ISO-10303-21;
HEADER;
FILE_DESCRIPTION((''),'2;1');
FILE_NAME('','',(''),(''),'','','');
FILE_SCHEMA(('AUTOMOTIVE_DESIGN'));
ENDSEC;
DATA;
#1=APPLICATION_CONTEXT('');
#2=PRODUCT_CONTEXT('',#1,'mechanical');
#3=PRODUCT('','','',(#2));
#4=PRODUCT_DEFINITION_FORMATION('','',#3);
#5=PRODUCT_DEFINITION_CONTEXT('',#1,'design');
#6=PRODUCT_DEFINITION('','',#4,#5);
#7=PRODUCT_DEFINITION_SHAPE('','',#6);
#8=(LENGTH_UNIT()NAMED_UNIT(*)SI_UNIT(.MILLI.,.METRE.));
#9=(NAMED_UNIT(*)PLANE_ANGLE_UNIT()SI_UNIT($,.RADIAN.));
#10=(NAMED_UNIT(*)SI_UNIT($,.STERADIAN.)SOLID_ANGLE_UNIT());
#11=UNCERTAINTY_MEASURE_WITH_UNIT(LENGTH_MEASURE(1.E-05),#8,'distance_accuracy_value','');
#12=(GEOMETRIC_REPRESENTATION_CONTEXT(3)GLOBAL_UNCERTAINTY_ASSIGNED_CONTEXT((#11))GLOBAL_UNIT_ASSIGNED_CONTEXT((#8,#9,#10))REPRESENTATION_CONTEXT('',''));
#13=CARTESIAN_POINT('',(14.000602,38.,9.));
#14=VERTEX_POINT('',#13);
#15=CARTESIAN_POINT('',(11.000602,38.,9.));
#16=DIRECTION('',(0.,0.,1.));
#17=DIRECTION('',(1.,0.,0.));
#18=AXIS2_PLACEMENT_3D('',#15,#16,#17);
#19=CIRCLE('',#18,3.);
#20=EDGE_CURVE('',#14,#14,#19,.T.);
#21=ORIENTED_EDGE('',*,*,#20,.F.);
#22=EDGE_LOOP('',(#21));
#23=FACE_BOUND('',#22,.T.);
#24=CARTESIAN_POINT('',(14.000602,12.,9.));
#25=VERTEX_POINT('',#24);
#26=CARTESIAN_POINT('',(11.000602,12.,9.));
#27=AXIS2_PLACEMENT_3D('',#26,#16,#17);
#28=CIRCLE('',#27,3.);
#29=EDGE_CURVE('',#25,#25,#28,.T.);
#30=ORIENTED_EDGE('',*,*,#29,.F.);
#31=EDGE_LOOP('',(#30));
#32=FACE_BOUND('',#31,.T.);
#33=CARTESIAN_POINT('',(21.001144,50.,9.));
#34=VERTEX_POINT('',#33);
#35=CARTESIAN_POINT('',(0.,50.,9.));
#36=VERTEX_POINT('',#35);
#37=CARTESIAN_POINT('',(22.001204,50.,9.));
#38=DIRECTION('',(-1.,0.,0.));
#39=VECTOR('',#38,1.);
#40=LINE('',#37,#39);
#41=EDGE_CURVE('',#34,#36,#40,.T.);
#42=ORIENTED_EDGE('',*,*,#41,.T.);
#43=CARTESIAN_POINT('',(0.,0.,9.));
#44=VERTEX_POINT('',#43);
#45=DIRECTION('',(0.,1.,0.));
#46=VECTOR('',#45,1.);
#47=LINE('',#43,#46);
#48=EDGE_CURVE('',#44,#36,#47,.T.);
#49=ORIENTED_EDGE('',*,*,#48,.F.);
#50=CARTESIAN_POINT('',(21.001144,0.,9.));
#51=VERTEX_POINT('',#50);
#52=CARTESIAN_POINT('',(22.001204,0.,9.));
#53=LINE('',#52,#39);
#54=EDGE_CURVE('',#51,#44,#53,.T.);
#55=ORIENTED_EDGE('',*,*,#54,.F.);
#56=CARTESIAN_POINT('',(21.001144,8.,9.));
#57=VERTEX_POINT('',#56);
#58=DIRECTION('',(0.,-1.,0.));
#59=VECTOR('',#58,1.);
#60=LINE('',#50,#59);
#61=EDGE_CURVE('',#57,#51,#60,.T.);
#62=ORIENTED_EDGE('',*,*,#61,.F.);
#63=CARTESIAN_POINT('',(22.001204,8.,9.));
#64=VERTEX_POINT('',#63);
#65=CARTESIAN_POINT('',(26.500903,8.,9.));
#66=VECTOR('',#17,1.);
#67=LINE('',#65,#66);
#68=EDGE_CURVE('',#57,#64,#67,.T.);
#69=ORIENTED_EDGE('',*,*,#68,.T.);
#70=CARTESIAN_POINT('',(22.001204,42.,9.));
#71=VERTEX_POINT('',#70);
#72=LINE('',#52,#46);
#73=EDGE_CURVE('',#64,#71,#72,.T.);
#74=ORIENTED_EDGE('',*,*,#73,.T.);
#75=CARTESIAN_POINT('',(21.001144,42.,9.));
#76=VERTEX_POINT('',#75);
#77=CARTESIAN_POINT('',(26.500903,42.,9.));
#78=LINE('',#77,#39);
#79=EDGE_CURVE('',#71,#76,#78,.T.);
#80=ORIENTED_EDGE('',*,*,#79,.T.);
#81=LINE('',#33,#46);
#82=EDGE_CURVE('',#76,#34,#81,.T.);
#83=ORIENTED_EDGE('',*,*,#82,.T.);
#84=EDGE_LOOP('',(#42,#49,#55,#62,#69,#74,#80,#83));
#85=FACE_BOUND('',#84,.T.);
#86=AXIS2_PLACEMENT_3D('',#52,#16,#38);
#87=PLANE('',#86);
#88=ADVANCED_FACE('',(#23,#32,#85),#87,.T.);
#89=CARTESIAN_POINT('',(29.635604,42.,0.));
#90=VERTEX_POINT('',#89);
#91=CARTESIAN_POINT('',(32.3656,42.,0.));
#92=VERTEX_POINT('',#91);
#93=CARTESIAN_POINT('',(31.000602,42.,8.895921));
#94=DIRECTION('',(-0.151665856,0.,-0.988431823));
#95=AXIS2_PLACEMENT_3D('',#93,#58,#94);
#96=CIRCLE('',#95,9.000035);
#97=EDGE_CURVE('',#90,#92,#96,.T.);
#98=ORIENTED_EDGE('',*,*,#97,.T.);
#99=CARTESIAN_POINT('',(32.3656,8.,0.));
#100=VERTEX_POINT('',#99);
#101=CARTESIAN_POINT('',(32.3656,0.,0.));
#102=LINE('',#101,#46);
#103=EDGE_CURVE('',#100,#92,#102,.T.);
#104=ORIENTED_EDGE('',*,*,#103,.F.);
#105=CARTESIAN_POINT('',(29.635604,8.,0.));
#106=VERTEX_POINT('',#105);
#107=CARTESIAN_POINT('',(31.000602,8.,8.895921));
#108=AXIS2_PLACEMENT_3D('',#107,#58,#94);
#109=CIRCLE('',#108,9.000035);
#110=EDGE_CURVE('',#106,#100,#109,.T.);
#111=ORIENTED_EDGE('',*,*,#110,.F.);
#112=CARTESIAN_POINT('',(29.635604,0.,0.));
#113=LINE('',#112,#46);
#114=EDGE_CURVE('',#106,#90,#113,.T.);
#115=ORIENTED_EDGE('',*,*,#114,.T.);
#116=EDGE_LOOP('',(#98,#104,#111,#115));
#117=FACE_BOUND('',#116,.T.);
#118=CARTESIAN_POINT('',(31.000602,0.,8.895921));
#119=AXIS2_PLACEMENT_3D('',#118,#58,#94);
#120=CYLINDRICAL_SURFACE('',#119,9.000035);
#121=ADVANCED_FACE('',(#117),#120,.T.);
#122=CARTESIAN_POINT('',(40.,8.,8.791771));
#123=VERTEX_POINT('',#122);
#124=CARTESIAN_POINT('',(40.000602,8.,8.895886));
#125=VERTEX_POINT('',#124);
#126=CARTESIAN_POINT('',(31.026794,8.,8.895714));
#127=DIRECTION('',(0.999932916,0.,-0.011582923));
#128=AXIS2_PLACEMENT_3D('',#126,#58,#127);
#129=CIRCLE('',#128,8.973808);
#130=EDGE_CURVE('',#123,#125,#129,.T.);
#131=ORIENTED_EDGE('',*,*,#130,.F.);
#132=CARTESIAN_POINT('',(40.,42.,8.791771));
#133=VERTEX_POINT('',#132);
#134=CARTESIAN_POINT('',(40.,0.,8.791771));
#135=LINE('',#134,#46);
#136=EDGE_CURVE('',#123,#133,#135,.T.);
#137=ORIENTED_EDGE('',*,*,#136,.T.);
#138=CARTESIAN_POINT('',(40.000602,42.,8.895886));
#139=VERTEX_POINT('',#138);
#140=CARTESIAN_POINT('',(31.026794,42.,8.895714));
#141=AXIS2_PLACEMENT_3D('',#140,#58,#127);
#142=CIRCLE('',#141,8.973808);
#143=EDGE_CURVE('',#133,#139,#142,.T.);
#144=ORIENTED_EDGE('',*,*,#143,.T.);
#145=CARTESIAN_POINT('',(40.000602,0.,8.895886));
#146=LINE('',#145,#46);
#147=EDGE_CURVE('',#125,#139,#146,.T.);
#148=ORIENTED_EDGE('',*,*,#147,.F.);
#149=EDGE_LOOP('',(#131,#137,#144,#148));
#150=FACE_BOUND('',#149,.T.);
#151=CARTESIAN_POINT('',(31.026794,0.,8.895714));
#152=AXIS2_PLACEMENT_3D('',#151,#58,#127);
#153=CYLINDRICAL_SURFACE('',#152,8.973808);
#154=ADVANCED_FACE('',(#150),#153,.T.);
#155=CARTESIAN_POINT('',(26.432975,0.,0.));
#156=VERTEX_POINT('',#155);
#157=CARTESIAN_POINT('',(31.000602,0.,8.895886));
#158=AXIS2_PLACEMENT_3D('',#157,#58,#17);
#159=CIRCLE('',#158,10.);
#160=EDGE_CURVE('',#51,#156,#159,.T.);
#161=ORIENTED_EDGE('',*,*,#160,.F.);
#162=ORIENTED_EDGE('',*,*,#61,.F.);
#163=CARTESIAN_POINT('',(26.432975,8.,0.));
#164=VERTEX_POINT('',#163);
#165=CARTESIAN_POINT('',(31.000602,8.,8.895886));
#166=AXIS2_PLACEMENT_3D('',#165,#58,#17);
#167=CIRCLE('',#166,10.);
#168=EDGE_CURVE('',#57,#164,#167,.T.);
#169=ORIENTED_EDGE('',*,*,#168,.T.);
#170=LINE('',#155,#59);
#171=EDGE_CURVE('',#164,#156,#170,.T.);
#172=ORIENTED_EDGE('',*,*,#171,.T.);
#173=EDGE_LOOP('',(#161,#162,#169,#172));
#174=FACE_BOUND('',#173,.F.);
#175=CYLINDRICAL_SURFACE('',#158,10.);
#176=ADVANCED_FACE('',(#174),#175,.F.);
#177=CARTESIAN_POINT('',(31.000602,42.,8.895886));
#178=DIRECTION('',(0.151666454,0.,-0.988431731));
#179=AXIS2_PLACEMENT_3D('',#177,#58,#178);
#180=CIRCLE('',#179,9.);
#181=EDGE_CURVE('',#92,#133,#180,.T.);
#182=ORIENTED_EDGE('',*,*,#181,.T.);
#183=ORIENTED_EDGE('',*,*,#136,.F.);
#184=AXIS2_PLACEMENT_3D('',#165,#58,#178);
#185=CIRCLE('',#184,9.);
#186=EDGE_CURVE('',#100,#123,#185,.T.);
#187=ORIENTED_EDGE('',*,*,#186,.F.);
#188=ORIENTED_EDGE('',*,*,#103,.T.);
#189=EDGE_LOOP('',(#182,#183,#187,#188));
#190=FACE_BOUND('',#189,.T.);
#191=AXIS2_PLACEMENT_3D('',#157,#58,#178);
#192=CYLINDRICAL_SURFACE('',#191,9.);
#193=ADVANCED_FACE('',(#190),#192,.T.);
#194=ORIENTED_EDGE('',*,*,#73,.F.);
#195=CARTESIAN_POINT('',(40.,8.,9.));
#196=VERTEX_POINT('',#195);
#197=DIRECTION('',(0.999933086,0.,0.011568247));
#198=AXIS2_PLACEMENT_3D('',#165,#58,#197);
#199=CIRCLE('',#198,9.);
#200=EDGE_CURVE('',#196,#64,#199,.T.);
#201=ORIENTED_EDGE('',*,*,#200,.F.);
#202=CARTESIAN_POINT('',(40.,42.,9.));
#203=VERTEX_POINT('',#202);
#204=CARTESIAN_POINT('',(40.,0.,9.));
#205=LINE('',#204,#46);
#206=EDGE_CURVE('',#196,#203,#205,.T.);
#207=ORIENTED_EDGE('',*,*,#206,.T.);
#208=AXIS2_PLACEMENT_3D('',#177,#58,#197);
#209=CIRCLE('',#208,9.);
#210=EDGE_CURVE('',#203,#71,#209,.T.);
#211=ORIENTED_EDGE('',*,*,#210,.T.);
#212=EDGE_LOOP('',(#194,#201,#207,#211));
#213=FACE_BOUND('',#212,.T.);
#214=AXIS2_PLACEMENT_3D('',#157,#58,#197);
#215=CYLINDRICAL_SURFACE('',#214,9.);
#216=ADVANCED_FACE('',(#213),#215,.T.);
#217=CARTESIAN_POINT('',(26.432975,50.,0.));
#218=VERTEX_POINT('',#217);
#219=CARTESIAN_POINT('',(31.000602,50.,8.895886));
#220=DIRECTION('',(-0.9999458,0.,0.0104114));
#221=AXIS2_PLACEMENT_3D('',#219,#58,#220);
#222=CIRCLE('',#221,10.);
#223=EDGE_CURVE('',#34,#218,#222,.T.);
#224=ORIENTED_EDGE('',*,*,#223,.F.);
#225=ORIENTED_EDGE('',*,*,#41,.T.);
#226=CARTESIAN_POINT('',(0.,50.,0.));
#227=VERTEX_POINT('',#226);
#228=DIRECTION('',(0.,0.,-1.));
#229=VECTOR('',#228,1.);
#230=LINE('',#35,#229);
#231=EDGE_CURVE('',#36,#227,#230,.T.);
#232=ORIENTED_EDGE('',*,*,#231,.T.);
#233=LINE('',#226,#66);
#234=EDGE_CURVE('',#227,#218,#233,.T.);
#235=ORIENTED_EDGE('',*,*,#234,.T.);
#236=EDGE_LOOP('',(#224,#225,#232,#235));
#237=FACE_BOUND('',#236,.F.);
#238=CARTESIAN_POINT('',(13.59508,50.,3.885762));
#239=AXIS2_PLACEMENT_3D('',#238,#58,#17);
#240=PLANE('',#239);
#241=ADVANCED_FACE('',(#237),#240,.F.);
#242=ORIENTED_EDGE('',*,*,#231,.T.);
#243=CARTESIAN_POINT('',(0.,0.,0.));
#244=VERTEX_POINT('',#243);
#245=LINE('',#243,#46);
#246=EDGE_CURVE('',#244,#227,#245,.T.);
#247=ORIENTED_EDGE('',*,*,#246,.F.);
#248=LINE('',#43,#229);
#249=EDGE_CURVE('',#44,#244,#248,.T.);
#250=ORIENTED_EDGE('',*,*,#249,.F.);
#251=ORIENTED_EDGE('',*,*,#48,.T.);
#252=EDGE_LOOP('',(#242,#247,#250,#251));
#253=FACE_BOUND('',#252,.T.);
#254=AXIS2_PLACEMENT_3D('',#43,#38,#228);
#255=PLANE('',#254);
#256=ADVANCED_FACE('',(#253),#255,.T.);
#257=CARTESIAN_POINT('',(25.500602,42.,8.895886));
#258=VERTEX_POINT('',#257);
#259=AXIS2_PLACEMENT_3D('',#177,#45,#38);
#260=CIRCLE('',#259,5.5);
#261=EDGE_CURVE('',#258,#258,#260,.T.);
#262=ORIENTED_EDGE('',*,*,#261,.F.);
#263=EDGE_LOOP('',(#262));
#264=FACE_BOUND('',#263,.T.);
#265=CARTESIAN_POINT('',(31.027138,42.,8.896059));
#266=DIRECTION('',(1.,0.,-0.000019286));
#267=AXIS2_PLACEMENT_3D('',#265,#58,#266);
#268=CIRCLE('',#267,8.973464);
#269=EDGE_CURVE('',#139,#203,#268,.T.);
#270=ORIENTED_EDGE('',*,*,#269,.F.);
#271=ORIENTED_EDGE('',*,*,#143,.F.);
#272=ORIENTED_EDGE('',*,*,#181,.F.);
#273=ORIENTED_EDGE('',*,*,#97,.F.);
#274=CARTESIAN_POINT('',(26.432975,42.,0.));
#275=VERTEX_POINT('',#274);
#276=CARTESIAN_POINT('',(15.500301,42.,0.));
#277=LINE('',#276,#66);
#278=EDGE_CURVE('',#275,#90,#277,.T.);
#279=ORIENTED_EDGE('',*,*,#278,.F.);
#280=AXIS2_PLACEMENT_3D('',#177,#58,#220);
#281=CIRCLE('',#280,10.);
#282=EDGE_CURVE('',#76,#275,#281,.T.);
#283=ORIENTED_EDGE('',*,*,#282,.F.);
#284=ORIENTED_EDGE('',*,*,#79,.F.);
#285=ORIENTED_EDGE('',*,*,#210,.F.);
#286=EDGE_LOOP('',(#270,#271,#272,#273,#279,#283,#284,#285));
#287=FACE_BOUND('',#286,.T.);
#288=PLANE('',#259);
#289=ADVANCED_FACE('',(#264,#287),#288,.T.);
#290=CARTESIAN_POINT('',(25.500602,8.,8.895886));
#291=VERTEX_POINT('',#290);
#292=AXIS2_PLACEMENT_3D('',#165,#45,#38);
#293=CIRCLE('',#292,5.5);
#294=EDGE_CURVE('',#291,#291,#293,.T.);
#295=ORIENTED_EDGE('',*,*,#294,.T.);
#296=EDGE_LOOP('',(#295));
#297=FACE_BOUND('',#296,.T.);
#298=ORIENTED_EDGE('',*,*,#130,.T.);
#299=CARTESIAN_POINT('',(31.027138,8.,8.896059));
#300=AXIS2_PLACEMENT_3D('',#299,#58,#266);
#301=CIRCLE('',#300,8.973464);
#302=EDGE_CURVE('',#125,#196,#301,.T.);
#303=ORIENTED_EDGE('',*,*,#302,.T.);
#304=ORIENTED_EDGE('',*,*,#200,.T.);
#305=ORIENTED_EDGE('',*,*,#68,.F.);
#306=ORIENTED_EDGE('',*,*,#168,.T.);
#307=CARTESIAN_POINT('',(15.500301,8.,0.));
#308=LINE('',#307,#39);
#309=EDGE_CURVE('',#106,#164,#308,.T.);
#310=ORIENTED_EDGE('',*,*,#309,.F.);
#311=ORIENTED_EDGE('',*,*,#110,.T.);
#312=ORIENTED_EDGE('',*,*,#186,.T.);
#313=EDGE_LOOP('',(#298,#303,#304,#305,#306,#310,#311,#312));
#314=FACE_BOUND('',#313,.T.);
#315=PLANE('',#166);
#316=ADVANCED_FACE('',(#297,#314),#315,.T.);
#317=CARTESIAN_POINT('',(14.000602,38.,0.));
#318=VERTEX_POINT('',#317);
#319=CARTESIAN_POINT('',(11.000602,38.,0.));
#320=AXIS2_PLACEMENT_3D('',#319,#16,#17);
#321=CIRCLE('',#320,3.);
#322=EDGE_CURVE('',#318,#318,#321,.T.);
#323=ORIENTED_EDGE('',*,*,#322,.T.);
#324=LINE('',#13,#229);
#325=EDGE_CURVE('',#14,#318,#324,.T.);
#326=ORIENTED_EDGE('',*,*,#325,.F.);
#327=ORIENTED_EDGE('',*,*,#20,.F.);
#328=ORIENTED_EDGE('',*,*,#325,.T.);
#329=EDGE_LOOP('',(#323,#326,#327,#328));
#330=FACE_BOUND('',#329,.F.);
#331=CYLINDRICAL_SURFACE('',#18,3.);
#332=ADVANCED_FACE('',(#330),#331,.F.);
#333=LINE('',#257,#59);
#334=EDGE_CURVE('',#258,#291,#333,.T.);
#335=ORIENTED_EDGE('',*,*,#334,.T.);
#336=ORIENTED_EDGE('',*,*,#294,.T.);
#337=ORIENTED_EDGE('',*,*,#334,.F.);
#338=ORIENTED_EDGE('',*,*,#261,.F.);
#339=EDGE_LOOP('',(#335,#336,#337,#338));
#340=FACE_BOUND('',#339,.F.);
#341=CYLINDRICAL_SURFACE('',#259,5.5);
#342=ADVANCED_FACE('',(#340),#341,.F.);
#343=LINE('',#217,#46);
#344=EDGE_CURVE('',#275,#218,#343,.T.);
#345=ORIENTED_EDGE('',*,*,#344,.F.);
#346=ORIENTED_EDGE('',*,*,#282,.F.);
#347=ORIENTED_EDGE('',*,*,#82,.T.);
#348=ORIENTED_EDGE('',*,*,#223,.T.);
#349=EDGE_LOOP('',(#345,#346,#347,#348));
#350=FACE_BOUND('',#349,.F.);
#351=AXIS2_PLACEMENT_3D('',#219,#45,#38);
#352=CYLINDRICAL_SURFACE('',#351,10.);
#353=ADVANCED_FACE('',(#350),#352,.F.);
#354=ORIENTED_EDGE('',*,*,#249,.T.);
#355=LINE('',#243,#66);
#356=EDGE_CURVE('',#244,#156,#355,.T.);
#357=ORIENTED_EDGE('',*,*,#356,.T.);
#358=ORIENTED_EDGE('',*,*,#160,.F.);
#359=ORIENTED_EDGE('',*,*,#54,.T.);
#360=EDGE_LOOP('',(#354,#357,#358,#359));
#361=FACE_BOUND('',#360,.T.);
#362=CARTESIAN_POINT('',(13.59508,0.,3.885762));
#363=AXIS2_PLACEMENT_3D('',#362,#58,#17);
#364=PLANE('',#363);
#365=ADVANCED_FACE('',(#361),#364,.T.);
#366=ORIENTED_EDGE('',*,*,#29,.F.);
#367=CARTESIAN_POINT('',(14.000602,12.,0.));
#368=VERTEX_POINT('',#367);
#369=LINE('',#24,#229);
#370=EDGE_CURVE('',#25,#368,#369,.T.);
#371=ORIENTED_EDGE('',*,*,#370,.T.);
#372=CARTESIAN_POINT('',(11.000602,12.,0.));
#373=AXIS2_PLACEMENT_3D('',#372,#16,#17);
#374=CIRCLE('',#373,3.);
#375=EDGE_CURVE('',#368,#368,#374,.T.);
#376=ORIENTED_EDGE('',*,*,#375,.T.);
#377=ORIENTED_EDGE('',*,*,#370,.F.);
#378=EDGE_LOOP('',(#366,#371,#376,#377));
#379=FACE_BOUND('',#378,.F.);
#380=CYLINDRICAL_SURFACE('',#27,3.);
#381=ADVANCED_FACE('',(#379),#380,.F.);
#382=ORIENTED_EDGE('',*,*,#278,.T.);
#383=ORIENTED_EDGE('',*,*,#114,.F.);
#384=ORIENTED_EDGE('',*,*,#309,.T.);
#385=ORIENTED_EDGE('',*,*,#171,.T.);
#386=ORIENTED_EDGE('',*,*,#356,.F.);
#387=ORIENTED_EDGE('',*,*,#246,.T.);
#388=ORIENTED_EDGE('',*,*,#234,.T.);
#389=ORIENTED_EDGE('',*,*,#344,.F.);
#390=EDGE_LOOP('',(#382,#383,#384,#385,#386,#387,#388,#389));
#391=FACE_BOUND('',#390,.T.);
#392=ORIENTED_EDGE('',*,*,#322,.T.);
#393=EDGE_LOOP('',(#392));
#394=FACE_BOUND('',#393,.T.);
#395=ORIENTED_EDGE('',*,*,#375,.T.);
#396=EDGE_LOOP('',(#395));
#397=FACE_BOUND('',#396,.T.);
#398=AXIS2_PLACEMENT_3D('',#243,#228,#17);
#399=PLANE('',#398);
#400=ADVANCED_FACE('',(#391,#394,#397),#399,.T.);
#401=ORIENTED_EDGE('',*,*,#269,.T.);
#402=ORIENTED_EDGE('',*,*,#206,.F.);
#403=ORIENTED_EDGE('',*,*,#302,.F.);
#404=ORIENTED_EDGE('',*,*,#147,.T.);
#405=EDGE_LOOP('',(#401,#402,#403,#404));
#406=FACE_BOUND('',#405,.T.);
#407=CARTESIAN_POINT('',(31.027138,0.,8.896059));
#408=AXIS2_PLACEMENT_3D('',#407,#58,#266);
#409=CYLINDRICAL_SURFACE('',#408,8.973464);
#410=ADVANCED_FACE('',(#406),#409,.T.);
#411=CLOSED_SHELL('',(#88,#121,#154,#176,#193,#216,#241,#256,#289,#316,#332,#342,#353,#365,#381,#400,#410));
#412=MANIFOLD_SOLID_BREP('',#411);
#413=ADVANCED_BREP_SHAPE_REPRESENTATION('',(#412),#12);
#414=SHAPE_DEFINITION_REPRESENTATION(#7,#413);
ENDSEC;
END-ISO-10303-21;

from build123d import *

# Parameters (mm, degrees)
F1_DEPTH  = 50
F2_R      = 3
F3_DEPTH  = 25
F5_R      = 10
F6_DEPTH  = 8
F7_R      = 10
F8_DEPTH  = 8
F9_R      = 5.5
F10_DEPTH = 42.001


with BuildPart() as f1:
    # F0 (on Front) → F1 (new body)
    with BuildSketch(Plane.XZ):
        with BuildLine():
            Line((0, 9), (0, 0))
            Line((0, 0), (29.635604, 0))
            ThreePointArc((29.635604, 0), (24.137281, 3.073959), (22.001204, 9))
            Line((22.001204, 9), (0, 9))
        make_face()
        with BuildLine():
            ThreePointArc((22.001204, 9), (24.137281, 3.073959), (29.635604, 0))
            Line((29.635604, 0), (32.3656, 0))
            ThreePointArc((32.3656, 0), (37.796114, 2.994952), (40, 8.791771))
            Line((40, 8.791771), (40, 9))
            ThreePointArc((40, 9), (31.000602, 17.895886), (22.001204, 9))
        make_face()
        with BuildLine():
            Line((32.3656, 0), (29.635604, 0))
            ThreePointArc((29.635604, 0), (31.000602, -0.104114), (32.3656, 0))
        make_face()
        with BuildLine():
            Line((40, 9), (40, 8.791771))
            ThreePointArc((40, 8.791771), (40.000452, 8.843828), (40.000602, 8.895886))
            ThreePointArc((40.000602, 8.895886), (40.000452, 8.947944), (40, 9))
        make_face()
    extrude(amount=-F1_DEPTH)

    # F2 (on face) → F3 (cut)
    with BuildSketch(Plane.XY.offset(9)):
        with Locations((11.000602, 38)):
            Circle(F2_R)
        with Locations((11.000602, 12)):
            Circle(F2_R)
    extrude(amount=-F3_DEPTH, mode=Mode.SUBTRACT)

    # F5 (on face) → F6 (cut)
    with BuildSketch(Plane.XZ):
        with Locations((31.000602, 8.895886)):
            Circle(F5_R)
    extrude(amount=-F6_DEPTH, mode=Mode.SUBTRACT)

    # F7 (on face) → F8 (cut)
    with BuildSketch(Plane(origin=(0, 50, 0), x_dir=(-1, 0, 0), z_dir=(0, 1, 0))):
        with Locations((-31.000602, 8.895886)):
            Circle(F7_R)
    extrude(amount=-F8_DEPTH, mode=Mode.SUBTRACT)

    # F9 (on face) → F10 (cut, through all)
    with BuildSketch(Plane(origin=(0, 42, 0), x_dir=(-1, 0, 0), z_dir=(0, 1, 0))):
        with Locations((-31.000602, 8.895886)):
            Circle(F9_R)
    extrude(amount=-F10_DEPTH, mode=Mode.SUBTRACT)


solid = f1.part
